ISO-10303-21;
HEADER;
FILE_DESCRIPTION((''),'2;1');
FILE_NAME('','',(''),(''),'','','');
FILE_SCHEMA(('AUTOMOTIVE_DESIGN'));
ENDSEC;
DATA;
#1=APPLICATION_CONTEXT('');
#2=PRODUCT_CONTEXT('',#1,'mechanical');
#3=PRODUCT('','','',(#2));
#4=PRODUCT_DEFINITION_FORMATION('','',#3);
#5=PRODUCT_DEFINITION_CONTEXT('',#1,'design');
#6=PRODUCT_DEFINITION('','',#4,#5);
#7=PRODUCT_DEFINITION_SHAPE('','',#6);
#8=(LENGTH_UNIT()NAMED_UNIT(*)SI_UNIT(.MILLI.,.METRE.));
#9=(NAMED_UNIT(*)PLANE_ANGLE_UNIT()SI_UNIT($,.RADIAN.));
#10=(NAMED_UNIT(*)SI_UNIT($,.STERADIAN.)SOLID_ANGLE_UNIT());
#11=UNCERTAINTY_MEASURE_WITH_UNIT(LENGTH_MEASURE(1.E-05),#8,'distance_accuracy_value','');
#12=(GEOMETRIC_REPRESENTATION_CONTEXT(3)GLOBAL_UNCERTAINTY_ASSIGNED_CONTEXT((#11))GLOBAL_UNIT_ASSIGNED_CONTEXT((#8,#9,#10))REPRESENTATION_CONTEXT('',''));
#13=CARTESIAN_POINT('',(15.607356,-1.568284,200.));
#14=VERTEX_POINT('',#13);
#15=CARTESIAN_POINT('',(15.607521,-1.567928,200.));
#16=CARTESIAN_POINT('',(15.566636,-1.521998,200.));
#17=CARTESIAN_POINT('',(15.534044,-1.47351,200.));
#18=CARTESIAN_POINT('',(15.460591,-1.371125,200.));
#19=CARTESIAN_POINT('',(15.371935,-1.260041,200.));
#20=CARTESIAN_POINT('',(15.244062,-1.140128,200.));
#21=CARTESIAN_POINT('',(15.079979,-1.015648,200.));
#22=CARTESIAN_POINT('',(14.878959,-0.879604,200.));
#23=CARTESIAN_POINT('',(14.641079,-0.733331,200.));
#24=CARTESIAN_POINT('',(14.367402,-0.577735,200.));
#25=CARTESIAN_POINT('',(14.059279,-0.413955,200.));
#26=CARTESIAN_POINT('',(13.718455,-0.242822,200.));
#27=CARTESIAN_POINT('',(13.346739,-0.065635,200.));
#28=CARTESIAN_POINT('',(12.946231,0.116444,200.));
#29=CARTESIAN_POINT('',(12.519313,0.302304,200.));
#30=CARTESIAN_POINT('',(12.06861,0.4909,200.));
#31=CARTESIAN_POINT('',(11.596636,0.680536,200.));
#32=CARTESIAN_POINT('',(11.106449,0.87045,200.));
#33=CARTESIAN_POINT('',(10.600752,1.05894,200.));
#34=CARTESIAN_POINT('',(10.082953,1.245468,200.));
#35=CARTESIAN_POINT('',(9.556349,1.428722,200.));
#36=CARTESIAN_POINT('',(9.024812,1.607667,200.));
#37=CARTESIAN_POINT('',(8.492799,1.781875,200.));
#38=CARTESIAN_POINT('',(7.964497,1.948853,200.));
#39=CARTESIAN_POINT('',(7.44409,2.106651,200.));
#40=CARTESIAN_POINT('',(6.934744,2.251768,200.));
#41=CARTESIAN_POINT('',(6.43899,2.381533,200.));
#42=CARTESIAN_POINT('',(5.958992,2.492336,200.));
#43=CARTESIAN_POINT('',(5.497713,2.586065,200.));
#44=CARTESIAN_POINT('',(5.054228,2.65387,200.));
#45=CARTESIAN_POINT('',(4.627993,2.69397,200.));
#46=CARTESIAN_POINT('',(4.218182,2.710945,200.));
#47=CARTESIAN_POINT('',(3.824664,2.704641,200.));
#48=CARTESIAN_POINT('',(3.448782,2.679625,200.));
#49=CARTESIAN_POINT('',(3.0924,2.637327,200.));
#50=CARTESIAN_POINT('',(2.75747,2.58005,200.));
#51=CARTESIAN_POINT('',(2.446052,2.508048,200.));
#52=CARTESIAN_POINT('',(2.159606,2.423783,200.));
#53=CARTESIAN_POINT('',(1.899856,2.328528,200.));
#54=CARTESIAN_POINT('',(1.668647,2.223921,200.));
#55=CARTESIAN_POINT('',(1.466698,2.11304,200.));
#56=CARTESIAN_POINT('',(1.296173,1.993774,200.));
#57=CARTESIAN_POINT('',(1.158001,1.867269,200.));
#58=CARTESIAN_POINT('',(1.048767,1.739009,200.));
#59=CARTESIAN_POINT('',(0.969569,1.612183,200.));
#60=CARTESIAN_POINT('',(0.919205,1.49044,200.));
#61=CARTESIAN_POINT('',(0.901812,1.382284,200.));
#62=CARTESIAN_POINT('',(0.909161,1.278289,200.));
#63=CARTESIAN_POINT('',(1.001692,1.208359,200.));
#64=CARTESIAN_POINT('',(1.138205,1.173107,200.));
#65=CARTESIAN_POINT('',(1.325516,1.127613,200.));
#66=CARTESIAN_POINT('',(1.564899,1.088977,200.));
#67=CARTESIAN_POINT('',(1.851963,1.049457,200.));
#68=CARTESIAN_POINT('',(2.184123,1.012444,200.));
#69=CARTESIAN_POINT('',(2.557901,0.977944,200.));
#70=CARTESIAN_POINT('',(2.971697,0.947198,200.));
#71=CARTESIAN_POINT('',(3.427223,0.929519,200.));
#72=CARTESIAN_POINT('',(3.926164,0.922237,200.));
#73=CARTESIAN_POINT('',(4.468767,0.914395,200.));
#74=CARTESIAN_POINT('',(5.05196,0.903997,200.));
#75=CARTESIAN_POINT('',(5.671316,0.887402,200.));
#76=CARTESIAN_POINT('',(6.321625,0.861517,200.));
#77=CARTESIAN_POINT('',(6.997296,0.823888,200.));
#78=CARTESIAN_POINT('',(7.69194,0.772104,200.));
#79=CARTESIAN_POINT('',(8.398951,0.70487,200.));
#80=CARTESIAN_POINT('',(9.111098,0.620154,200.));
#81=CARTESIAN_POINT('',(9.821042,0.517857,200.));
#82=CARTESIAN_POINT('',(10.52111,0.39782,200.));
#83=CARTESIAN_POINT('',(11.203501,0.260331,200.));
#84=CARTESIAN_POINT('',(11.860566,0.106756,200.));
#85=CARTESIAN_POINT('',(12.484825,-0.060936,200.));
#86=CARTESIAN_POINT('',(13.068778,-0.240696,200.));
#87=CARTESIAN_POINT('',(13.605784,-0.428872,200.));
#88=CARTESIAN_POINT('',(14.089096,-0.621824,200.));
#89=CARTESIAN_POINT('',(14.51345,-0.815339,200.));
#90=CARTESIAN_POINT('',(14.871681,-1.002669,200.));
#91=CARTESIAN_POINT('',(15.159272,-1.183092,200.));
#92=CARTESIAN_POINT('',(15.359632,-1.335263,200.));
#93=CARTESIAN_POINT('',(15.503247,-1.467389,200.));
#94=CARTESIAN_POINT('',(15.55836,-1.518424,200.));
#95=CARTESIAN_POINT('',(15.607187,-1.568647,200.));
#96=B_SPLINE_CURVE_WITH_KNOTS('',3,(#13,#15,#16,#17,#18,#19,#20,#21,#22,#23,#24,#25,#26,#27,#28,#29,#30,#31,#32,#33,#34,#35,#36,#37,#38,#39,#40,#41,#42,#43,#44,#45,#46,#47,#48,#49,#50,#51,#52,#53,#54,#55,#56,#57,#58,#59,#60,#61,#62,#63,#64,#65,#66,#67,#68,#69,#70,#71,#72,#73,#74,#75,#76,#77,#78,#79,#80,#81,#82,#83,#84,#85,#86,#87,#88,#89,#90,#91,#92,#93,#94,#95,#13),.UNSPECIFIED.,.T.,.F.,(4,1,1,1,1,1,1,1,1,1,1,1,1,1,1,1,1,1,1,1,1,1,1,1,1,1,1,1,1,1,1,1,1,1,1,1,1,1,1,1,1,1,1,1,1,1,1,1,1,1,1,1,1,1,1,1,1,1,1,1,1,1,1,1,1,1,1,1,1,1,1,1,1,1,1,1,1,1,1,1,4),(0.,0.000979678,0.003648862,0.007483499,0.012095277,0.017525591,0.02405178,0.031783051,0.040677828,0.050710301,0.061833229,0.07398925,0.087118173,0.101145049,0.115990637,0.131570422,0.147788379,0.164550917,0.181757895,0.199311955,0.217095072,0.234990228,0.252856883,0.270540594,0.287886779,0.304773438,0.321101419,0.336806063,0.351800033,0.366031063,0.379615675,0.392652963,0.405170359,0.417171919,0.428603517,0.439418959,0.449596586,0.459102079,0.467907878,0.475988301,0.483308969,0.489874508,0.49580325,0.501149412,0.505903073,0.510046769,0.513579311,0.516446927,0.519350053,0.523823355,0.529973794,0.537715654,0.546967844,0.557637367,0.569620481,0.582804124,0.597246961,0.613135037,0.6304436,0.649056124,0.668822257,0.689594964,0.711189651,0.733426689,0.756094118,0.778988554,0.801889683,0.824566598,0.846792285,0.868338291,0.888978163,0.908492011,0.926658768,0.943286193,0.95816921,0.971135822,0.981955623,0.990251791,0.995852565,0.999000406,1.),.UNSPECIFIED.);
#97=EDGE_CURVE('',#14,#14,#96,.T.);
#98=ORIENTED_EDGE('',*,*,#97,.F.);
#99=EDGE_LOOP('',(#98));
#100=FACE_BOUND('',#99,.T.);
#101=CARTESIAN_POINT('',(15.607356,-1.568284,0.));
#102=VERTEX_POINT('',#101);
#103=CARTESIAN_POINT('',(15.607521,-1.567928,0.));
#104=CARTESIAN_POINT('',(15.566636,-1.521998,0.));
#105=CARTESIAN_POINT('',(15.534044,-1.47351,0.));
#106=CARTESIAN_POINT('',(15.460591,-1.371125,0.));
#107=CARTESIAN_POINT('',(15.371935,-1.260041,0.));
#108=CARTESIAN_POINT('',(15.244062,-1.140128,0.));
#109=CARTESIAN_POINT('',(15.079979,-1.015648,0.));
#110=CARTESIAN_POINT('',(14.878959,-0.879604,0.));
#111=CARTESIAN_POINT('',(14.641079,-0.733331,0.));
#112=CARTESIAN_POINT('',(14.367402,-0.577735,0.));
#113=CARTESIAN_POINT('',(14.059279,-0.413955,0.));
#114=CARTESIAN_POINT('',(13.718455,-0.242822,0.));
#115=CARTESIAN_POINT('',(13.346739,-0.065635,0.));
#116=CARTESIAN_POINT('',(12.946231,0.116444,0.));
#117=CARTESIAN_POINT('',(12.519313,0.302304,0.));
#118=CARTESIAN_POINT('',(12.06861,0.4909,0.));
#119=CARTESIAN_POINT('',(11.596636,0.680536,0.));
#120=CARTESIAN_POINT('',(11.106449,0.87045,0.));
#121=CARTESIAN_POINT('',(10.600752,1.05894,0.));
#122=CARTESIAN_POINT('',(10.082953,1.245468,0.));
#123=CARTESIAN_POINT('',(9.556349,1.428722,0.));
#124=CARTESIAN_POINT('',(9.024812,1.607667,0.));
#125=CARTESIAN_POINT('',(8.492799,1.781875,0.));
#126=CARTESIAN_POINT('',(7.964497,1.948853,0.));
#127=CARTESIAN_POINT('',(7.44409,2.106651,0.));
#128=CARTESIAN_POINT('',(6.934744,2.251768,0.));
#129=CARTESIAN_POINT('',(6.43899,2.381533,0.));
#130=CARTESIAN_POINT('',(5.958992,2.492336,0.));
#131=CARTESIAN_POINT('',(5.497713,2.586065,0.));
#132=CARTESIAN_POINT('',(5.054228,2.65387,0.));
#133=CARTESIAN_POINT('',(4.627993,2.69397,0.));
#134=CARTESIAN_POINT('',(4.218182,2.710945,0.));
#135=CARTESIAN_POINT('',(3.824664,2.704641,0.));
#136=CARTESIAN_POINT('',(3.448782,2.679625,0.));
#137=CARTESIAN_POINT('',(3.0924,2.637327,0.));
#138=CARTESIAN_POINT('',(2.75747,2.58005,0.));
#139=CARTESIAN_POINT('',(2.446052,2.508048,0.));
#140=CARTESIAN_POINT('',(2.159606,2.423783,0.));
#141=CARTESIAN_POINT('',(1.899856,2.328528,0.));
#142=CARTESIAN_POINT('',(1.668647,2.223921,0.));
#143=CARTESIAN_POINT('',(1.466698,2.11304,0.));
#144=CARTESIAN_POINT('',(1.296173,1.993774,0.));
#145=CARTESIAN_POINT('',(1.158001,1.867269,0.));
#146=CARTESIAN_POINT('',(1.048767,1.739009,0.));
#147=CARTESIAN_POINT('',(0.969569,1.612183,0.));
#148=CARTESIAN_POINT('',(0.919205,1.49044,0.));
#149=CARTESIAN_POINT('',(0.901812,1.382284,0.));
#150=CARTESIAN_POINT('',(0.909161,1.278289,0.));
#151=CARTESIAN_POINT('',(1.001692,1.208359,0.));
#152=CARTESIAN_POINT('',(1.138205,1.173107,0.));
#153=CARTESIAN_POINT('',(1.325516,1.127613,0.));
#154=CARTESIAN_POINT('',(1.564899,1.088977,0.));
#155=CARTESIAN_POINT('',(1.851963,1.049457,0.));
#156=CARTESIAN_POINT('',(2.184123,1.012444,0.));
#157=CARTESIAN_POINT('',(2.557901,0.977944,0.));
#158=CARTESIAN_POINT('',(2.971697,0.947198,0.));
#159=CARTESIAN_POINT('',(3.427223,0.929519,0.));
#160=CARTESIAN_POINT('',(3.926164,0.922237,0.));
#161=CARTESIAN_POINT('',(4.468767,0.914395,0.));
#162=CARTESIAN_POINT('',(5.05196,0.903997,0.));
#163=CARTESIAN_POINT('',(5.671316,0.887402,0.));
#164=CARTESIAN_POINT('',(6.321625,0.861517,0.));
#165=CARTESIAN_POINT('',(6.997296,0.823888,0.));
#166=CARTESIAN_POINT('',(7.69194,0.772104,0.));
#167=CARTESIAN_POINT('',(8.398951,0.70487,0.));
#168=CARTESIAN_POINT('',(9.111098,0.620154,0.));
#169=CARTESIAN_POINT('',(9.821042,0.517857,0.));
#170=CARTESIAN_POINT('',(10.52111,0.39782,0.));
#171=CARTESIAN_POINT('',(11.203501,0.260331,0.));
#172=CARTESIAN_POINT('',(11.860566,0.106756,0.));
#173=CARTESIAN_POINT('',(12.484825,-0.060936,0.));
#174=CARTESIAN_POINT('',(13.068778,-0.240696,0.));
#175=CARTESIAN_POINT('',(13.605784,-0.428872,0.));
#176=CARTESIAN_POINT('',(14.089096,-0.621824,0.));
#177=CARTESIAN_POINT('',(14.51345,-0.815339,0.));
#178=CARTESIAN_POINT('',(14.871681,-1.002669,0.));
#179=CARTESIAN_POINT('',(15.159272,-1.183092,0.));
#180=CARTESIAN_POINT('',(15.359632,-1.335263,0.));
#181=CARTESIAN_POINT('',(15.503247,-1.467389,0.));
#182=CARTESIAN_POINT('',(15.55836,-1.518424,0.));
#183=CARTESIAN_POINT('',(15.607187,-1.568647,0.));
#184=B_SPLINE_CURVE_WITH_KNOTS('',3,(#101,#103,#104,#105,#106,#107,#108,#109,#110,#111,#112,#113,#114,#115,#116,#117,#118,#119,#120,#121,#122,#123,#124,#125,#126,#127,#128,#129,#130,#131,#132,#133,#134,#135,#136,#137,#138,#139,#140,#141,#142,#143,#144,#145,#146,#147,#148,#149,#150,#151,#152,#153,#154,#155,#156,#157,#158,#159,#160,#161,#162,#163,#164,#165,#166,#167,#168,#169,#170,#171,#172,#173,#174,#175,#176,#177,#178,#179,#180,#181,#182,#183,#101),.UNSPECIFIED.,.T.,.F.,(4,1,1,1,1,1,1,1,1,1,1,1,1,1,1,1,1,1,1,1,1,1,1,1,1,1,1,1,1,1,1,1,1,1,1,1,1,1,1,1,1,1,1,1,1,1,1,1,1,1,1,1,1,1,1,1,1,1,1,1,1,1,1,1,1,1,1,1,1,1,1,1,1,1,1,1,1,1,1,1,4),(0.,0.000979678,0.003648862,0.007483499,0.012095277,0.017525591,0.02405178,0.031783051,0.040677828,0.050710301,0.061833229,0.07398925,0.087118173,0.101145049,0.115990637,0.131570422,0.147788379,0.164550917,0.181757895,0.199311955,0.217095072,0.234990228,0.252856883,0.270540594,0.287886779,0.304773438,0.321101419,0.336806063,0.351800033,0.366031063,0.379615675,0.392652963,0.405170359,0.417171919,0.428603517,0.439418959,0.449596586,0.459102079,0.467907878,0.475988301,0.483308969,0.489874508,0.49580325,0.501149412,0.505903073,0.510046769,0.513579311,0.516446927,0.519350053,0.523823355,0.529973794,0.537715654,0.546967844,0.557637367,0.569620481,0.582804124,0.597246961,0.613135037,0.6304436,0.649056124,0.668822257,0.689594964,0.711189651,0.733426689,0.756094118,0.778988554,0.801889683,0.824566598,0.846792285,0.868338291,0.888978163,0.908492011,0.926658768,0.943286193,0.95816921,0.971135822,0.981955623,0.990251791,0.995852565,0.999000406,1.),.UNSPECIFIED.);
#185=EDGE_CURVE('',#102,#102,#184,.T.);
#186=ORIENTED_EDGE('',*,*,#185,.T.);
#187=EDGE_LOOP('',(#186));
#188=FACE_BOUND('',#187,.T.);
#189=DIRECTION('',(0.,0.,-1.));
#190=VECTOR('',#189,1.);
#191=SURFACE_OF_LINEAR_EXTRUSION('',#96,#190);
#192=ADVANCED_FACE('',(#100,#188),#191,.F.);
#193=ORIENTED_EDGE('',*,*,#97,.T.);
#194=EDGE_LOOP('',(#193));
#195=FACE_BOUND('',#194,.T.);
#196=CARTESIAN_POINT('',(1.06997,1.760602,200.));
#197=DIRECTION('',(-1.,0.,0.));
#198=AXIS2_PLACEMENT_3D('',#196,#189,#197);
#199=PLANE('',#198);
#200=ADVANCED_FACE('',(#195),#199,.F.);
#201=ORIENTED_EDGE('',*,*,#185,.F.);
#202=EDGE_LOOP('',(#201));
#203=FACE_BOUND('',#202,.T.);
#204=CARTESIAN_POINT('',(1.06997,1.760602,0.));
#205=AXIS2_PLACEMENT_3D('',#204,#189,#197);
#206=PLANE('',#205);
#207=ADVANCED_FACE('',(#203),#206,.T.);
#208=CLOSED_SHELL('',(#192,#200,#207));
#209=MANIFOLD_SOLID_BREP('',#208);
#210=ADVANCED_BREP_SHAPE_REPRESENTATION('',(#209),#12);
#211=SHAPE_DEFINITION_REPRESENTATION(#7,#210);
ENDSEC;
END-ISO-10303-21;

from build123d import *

# Parameters (mm, degrees)
BOSS_EXTRUDE1_DEPTH = 200


with BuildPart() as part:
    # Sketch1 → Boss-Extrude1 (new body)
    with BuildSketch(Plane.XY):
        with BuildLine():
            add(Edge.make_bspline(
                [(15.607355601, -1.568284177), (15.607520579, -1.567928289), (15.566635526, -1.521997924), (15.534044249, -1.473509878), (15.460591382, -1.371125118), (15.37193513, -1.260041439), (15.244062394, -1.140128161), (15.079978604, -1.015647512), (14.878959346, -0.87960408), (14.641079171, -0.73333104), (14.367401753, -0.577734677), (14.059279406, -0.413955073), (13.718455488, -0.242822135), (13.346738886, -0.065635228), (12.946230811, 0.116444436), (12.519312768, 0.302304316), (12.068610401, 0.490900194), (11.596635609, 0.680536195), (11.106449413, 0.870449839), (10.600751763, 1.058939547), (10.08295332, 1.245467582), (9.556348631, 1.428722365), (9.024811645, 1.607666695), (8.492798515, 1.781874736), (7.964496997, 1.948852996), (7.444089606, 2.106651288), (6.93474389, 2.251768089), (6.438990147, 2.381532882), (5.958991597, 2.492335579), (5.497713054, 2.586064711), (5.054228289, 2.65387012), (4.627993084, 2.693969755), (4.218182239, 2.710944927), (3.824664127, 2.704640877), (3.448782286, 2.679624648), (3.09239992, 2.637326696), (2.757470015, 2.580050337), (2.446052499, 2.508047758), (2.159605906, 2.423782593), (1.899856485, 2.328528452), (1.668647095, 2.223921485), (1.466698203, 2.113039899), (1.296172739, 1.993773878), (1.158001069, 1.867268796), (1.048767135, 1.739008562), (0.969569268, 1.612182746), (0.919204633, 1.490440266), (0.901811772, 1.382284262), (0.909161214, 1.278288812), (1.001692199, 1.208359237), (1.138204864, 1.173107038), (1.325516025, 1.12761264), (1.564898997, 1.088977304), (1.851963385, 1.049456639), (2.184122723, 1.012443891), (2.55790106, 0.977943733), (2.971696773, 0.947197561), (3.427222725, 0.929519107), (3.926164358, 0.922236856), (4.46876715, 0.914394836), (5.051959959, 0.90399719), (5.671316174, 0.887401808), (6.321625488, 0.861517498), (6.997295534, 0.823888024), (7.691940463, 0.772104241), (8.398950597, 0.704869592), (9.111098426, 0.620154089), (9.821041532, 0.51785697), (10.521110217, 0.397820398), (11.203500781, 0.260330867), (11.860565875, 0.106756159), (12.484824839, -0.060935806), (13.068777835, -0.240695606), (13.605783796, -0.428871834), (14.089096265, -0.62182399), (14.513450336, -0.815339229), (14.871680668, -1.002669284), (15.159271516, -1.183091579), (15.359631756, -1.335262783), (15.503246583, -1.467388566), (15.558359958, -1.518423669), (15.60718727, -1.568647299), (15.607355601, -1.568284177)],
                knots=[0, 0, 0, 0, 0.000979678, 0.003648862, 0.007483499, 0.012095277, 0.017525591, 0.02405178, 0.031783051, 0.040677828, 0.050710301, 0.061833229, 0.07398925, 0.087118173, 0.101145049, 0.115990637, 0.131570422, 0.147788379, 0.164550917, 0.181757895, 0.199311955, 0.217095072, 0.234990228, 0.252856883, 0.270540594, 0.287886779, 0.304773438, 0.321101419, 0.336806063, 0.351800033, 0.366031063, 0.379615675, 0.392652963, 0.405170359, 0.417171919, 0.428603517, 0.439418959, 0.449596586, 0.459102079, 0.467907878, 0.475988301, 0.483308969, 0.489874508, 0.49580325, 0.501149412, 0.505903073, 0.510046769, 0.513579311, 0.516446927, 0.519350053, 0.523823355, 0.529973794, 0.537715654, 0.546967844, 0.557637367, 0.569620481, 0.582804124, 0.597246961, 0.613135037, 0.6304436, 0.649056124, 0.668822257, 0.689594964, 0.711189651, 0.733426689, 0.756094118, 0.778988554, 0.801889683, 0.824566598, 0.846792285, 0.868338291, 0.888978163, 0.908492011, 0.926658768, 0.943286193, 0.95816921, 0.971135822, 0.981955623, 0.990251791, 0.995852565, 0.999000406, 1, 1, 1, 1], degree=3))
        make_face()
    extrude(amount=BOSS_EXTRUDE1_DEPTH)


solid = part.part
